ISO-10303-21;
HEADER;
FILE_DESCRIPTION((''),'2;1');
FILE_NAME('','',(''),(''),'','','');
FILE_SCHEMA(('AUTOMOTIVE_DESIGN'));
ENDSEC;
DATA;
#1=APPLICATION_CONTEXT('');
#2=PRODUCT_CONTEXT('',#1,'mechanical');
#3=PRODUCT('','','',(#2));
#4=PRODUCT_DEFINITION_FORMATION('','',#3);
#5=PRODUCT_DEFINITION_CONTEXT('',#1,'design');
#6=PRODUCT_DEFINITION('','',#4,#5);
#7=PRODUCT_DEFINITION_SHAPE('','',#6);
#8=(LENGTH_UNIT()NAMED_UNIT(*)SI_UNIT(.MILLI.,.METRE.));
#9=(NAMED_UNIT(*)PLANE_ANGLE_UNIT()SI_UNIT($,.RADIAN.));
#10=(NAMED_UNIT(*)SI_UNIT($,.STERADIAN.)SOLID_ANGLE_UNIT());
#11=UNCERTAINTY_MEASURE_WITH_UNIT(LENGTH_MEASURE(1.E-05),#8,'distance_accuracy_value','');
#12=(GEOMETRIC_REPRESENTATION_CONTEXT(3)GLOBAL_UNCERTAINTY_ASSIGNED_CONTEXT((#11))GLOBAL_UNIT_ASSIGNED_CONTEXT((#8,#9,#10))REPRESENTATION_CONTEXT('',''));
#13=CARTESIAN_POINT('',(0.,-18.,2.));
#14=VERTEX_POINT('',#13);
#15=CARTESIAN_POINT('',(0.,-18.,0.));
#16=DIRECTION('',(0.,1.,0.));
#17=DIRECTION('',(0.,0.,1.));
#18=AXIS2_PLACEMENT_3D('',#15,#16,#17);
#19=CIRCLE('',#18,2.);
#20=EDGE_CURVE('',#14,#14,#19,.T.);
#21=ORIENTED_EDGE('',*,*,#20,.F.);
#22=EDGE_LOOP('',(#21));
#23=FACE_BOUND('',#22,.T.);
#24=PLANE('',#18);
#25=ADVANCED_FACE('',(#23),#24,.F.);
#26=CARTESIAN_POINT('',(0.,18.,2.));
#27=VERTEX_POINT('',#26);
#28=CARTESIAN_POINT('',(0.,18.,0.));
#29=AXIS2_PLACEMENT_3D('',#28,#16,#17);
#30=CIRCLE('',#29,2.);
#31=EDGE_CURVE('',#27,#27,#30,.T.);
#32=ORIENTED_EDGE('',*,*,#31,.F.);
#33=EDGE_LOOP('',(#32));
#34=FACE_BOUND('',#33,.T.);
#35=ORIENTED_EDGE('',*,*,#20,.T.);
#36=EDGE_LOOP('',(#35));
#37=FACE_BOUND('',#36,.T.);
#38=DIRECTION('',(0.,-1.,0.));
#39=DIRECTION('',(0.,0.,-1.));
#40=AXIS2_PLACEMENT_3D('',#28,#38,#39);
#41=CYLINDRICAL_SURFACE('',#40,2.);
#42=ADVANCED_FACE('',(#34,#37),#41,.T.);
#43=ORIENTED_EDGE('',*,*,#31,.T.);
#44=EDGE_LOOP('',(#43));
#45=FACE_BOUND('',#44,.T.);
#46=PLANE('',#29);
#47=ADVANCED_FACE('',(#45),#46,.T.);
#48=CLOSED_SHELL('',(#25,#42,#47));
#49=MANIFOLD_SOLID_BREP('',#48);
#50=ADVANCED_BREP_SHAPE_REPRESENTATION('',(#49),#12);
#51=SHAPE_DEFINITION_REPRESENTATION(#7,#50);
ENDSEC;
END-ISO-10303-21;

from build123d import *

# Parameters (mm, degrees)
SKETCH1_R           = 2
BOSS_EXTRUDE1_DEPTH = 18


with BuildPart() as part:
    # Sketch1 → Boss-Extrude1 (new body, symmetric)
    with BuildSketch(Plane(origin=(0, 0, 0), x_dir=(1, 0, 0), z_dir=(0, 1, 0))):
        Circle(SKETCH1_R)
    extrude(amount=BOSS_EXTRUDE1_DEPTH, both=True)


solid = part.part
